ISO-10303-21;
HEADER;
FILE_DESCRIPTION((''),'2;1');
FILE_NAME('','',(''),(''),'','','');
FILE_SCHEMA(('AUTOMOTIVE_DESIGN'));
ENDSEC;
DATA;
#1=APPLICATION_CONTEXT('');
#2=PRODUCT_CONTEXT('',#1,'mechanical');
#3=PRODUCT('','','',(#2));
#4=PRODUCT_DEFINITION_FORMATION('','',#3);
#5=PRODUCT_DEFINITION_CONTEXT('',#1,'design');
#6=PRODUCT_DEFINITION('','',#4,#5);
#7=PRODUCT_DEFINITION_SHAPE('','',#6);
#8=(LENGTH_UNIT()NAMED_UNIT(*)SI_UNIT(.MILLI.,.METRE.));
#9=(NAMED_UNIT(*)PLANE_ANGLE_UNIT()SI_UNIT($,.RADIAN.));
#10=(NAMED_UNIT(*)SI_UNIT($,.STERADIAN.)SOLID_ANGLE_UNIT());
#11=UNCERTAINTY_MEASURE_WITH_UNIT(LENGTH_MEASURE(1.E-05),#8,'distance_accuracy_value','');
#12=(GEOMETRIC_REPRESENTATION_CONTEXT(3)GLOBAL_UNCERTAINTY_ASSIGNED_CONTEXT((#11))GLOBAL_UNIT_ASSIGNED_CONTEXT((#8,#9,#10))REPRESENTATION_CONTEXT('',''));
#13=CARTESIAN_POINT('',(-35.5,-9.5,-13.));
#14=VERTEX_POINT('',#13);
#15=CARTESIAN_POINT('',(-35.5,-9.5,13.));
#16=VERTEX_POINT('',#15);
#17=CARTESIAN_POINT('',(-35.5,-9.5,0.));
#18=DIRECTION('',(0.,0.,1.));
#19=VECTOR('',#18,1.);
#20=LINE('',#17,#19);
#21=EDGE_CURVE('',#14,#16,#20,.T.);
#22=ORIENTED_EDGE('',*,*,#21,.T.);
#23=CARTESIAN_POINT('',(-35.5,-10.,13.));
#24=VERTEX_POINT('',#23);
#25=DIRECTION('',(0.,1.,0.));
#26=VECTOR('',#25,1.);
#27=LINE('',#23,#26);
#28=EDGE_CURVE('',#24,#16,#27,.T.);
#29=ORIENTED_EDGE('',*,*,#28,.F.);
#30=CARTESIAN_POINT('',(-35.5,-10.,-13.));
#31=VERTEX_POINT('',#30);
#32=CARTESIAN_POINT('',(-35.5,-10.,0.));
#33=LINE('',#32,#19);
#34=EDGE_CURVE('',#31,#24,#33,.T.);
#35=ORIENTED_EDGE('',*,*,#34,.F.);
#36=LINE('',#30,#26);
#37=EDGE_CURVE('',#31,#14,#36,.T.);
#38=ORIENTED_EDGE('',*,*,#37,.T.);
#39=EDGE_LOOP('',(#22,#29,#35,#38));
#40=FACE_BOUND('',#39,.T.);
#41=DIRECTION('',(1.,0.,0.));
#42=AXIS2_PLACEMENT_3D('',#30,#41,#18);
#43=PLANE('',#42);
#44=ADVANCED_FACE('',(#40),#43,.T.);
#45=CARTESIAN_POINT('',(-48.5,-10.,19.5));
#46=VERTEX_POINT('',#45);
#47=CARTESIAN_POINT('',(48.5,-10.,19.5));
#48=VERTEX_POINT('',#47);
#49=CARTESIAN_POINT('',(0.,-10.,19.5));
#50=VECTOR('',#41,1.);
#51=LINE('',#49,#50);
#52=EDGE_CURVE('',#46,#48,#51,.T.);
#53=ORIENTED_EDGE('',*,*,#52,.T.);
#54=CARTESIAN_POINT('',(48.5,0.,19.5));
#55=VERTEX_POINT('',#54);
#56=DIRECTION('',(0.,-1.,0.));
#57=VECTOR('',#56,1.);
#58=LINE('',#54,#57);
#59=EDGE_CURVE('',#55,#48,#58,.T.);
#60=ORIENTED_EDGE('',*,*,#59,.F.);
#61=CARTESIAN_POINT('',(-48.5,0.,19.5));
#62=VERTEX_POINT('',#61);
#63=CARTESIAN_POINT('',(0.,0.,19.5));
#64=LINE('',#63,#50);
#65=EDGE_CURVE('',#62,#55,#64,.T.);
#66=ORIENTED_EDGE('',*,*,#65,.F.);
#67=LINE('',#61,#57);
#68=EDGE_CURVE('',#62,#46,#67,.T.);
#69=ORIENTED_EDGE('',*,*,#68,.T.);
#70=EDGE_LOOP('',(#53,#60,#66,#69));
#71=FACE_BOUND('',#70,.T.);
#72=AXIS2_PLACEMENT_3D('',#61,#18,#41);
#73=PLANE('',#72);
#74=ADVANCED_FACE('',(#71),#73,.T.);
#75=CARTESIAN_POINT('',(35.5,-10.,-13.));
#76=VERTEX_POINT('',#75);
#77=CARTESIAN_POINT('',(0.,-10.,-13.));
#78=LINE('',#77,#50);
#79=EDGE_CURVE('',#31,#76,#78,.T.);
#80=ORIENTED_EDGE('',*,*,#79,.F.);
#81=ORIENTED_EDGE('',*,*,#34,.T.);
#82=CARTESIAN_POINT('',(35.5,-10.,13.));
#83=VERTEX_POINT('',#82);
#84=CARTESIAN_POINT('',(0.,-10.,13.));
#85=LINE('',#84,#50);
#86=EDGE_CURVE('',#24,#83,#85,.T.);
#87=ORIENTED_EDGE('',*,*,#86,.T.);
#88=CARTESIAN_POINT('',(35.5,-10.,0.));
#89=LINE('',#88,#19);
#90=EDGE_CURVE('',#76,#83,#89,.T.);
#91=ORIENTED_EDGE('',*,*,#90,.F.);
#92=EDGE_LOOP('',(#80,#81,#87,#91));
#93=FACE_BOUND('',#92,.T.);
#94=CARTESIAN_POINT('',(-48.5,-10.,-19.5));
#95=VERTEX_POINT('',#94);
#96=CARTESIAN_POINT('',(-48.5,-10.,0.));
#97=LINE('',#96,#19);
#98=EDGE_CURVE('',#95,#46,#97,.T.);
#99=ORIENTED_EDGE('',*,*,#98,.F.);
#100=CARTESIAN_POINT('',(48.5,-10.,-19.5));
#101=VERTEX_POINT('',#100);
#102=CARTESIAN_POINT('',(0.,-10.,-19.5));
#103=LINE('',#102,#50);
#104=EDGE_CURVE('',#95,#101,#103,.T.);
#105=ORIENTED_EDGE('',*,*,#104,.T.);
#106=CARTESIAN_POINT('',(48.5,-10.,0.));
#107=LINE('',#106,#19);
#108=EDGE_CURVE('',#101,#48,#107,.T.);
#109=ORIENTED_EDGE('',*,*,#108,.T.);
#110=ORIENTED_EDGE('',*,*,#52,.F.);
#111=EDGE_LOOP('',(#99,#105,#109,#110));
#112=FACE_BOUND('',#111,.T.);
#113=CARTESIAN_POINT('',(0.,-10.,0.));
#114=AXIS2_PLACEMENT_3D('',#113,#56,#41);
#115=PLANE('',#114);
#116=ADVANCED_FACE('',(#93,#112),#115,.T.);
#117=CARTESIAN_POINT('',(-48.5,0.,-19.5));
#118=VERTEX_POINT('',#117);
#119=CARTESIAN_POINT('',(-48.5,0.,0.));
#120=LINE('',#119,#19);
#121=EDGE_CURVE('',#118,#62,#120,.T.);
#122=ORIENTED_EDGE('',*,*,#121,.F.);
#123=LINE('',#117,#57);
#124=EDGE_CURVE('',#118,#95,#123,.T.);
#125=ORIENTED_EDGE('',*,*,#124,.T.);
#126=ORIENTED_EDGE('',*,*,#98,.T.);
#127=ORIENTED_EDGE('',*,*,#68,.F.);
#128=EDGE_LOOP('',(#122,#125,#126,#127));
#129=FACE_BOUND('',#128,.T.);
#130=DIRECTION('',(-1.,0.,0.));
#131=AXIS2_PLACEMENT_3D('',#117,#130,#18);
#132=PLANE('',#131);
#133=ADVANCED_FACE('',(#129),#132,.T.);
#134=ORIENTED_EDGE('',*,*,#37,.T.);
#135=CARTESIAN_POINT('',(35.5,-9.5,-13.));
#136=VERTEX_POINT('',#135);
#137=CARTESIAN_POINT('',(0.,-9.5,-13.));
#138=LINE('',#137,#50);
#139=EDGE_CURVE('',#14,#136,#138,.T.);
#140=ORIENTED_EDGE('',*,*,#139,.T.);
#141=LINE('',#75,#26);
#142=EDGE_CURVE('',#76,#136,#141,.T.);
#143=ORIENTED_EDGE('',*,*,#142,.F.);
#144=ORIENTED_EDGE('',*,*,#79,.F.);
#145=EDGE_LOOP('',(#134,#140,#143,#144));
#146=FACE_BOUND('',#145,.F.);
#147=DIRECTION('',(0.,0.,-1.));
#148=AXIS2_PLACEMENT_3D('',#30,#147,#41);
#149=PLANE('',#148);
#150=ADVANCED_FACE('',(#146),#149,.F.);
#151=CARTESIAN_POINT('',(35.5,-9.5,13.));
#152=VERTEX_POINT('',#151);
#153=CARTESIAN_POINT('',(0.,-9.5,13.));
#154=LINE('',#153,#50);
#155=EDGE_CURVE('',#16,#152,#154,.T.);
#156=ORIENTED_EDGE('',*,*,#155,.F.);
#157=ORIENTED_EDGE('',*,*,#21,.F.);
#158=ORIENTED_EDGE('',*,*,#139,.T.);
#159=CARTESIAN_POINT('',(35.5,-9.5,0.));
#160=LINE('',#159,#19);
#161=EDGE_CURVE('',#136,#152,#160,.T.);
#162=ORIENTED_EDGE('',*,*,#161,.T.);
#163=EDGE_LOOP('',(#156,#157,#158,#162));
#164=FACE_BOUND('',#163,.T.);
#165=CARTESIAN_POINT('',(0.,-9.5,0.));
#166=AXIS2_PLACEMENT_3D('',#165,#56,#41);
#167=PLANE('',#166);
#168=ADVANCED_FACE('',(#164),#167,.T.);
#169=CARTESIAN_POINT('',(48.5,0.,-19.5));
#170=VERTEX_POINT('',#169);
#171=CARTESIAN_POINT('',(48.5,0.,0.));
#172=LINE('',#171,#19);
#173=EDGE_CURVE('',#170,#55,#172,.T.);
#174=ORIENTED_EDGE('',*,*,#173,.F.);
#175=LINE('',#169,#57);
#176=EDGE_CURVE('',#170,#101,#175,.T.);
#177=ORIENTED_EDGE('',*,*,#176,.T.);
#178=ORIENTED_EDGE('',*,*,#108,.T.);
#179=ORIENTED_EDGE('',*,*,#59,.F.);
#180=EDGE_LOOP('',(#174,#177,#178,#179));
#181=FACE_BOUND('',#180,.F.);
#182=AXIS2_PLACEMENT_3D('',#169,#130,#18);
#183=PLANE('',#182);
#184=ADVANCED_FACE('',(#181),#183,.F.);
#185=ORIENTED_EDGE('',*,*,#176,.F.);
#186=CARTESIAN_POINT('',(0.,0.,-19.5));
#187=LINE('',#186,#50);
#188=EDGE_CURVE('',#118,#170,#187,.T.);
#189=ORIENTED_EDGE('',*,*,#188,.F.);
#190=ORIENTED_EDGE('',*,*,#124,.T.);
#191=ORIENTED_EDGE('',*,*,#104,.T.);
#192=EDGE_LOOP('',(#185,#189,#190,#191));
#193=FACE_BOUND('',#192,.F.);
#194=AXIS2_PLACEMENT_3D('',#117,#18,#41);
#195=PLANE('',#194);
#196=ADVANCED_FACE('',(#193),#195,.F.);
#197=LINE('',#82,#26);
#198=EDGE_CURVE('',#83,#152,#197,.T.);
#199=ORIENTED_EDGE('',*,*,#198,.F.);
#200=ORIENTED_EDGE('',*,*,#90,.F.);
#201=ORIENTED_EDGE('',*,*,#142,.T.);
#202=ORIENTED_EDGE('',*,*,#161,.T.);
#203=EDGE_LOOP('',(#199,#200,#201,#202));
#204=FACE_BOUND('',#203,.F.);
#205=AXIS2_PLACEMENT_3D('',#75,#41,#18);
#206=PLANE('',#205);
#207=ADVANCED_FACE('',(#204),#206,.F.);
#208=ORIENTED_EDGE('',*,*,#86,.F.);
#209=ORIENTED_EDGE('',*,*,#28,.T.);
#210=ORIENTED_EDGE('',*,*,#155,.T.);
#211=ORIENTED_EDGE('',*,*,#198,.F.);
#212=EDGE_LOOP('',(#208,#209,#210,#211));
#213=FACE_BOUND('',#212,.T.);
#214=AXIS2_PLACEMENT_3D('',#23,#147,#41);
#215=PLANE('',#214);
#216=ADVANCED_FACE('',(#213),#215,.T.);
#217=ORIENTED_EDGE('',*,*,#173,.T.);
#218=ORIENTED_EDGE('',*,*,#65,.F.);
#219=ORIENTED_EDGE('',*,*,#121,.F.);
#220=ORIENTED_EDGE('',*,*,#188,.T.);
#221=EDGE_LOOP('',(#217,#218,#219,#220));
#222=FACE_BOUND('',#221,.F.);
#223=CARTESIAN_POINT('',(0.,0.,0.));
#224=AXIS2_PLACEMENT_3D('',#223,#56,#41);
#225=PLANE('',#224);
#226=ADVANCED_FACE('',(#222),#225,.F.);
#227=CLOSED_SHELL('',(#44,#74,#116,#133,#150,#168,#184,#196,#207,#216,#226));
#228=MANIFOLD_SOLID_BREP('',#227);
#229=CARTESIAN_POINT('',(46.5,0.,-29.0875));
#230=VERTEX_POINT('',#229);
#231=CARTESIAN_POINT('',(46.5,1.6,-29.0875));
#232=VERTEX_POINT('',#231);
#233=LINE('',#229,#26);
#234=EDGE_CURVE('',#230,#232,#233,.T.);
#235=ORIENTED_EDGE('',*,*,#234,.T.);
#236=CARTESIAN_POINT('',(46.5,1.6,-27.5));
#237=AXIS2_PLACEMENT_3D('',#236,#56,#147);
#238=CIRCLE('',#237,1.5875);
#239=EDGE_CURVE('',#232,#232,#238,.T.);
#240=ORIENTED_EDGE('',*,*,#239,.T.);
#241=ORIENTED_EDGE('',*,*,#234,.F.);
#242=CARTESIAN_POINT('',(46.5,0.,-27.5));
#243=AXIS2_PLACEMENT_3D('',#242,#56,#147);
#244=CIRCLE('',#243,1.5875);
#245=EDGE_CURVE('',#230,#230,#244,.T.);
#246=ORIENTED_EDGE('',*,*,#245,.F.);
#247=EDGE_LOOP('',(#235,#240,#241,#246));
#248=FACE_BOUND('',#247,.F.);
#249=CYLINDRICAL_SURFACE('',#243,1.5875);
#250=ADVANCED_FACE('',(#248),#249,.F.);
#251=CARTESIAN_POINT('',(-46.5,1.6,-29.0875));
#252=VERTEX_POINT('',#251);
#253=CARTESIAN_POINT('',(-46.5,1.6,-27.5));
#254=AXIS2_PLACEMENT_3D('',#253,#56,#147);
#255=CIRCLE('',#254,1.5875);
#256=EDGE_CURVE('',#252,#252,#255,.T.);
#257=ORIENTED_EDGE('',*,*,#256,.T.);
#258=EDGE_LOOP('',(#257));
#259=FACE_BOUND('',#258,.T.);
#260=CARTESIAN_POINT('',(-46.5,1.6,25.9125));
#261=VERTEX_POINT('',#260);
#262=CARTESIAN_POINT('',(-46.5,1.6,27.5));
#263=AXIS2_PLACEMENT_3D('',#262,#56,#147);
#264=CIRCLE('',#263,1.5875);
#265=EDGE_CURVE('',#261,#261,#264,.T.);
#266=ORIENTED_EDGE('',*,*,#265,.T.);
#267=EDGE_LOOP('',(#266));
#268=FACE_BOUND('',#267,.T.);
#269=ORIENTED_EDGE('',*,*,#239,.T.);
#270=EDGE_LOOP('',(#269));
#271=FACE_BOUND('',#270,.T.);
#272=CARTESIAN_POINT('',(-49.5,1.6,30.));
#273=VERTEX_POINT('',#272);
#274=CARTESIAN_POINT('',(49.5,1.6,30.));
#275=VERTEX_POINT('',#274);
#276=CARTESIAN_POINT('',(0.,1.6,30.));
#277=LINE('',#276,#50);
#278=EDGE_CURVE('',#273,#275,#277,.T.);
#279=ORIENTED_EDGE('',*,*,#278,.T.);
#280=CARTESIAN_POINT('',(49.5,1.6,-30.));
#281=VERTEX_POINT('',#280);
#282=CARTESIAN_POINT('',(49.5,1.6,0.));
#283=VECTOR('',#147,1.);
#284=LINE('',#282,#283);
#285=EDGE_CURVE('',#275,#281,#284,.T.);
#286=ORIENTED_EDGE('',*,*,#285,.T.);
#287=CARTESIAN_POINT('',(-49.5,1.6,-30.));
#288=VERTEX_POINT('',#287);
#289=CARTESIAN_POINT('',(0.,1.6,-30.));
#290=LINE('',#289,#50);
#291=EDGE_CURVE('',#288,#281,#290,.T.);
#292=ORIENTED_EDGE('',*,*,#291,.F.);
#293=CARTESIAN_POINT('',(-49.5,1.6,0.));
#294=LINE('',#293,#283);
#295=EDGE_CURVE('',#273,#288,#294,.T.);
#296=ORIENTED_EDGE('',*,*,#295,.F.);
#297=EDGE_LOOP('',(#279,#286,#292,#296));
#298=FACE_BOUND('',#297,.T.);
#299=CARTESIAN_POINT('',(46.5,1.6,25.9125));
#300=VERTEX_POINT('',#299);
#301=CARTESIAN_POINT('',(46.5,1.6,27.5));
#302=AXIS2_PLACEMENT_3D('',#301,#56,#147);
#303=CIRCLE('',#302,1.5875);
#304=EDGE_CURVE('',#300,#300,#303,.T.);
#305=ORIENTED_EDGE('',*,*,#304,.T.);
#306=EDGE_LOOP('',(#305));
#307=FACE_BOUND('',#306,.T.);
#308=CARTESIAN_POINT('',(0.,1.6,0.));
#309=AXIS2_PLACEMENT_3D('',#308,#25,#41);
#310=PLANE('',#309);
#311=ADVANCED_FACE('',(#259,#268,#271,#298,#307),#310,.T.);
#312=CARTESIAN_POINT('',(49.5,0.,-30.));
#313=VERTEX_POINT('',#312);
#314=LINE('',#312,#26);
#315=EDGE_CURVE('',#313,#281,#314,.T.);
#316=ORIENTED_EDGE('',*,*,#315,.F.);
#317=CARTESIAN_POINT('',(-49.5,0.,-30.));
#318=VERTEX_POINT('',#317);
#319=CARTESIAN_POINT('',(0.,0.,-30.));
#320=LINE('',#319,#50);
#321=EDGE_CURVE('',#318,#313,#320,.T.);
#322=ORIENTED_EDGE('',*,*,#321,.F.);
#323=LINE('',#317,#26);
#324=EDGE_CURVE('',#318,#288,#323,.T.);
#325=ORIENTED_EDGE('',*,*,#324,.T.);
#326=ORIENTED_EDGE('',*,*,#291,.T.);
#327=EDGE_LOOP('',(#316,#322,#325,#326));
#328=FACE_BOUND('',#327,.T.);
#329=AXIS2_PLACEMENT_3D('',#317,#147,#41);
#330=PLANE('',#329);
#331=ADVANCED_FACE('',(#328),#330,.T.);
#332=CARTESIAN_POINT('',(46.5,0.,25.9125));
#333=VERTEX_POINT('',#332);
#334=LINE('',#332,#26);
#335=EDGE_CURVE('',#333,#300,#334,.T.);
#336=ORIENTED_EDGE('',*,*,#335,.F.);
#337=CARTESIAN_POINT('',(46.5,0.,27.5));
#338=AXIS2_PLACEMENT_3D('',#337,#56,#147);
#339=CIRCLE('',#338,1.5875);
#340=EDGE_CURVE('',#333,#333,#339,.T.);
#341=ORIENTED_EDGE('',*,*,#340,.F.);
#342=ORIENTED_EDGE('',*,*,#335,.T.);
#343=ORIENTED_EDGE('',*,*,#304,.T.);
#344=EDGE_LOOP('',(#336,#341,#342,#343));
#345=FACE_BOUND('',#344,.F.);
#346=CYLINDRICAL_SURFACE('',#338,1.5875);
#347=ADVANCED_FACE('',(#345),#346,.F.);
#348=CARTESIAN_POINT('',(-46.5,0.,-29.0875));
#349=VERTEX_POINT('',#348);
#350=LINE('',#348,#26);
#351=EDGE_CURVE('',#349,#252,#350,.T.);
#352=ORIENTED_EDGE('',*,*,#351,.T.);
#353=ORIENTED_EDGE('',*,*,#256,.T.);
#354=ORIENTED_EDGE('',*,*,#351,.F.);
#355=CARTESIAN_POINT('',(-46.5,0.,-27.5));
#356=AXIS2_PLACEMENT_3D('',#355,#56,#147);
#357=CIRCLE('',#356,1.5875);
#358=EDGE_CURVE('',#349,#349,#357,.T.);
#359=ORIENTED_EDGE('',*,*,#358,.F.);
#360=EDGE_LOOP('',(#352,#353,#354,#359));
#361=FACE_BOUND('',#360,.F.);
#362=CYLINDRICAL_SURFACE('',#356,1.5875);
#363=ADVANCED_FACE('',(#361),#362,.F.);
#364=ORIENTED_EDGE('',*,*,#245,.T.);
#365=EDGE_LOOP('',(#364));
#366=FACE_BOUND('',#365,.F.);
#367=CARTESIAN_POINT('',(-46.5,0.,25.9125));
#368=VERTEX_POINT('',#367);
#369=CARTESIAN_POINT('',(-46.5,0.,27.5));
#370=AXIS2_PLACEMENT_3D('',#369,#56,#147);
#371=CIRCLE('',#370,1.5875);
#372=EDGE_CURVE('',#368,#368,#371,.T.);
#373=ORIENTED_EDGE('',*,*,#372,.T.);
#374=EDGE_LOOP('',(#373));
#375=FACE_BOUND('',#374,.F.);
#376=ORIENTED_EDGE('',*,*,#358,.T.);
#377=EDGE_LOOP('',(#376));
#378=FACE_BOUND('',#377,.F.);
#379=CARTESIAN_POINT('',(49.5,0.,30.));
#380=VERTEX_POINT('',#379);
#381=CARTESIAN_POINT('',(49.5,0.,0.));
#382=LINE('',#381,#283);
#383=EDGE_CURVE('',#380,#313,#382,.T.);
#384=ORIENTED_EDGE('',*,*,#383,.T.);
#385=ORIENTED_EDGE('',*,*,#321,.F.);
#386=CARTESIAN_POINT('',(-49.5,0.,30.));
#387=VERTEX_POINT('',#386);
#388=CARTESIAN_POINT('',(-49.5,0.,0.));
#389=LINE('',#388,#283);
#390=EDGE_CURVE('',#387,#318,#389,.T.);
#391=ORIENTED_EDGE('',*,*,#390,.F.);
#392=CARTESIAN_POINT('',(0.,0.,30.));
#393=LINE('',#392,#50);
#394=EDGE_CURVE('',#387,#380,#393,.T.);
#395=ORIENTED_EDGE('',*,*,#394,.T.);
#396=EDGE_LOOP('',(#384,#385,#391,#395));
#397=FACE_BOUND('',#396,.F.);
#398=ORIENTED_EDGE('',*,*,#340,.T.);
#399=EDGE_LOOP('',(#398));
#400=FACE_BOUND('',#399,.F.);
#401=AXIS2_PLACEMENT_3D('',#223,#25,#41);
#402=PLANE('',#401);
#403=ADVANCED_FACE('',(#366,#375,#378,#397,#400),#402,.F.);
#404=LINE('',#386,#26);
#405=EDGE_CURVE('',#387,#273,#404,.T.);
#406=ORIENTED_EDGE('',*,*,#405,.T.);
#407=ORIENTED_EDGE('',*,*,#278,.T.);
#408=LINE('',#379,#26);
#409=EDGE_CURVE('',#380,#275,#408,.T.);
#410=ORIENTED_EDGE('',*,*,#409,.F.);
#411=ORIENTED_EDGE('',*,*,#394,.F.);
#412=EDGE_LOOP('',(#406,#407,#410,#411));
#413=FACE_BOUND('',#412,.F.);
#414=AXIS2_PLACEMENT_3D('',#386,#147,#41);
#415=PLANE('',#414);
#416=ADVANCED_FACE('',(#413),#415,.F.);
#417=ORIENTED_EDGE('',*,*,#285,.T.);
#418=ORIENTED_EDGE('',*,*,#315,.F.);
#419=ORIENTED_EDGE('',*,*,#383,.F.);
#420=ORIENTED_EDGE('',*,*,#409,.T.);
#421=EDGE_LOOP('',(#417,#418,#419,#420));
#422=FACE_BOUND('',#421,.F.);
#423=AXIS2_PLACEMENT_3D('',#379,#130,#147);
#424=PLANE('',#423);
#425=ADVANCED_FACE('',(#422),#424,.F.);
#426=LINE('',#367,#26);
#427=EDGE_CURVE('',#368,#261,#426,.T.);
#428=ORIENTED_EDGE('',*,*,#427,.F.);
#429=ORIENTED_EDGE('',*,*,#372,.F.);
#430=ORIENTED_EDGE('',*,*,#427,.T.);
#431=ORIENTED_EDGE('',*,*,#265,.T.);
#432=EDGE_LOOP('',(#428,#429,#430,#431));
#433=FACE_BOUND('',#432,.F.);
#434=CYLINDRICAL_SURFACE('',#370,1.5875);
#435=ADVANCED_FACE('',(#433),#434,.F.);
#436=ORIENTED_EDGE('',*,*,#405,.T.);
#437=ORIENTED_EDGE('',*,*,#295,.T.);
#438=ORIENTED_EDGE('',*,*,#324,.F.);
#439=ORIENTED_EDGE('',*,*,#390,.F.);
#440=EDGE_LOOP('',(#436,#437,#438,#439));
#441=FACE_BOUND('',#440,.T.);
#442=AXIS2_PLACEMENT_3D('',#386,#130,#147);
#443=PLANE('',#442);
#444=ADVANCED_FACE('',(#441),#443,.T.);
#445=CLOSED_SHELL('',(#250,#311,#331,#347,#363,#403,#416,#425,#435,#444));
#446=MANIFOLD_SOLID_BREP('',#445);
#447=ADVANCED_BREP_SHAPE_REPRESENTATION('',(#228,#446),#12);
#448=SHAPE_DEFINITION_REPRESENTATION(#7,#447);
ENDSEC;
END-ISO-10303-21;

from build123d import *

# Parameters (mm, degrees)
SKETCH1_W           = 99
SKETCH1_H           = 60
BOSS_EXTRUDE1_DEPTH = 1.6
SKETCH2_R           = 1.5875
CUT_EXTRUDE1_DEPTH  = 58.903454128
SKETCH3_W           = 97
SKETCH3_H           = 39
BOSS_EXTRUDE2_DEPTH = 10
SKETCH4_W           = 71
SKETCH4_H           = 26
CUT_EXTRUDE2_DEPTH  = 0.5


with BuildPart() as part:
    # Sketch1 → Boss-Extrude1 (new body)
    with BuildSketch(Plane(origin=(0, 0, 0), x_dir=(1, 0, 0), z_dir=(0, 1, 0))):
        Rectangle(SKETCH1_W, SKETCH1_H)
    extrude(amount=BOSS_EXTRUDE1_DEPTH)

    # Sketch2 → Cut-Extrude1 (cut, through all)
    with BuildSketch(Plane.XZ):
        with Locations(Location((-46.5, 27.5, 0), (0, 0, 270))):
            Circle(SKETCH2_R)
        with Locations(Location((46.5, 27.5, 0), (0, 0, 270))):
            Circle(SKETCH2_R)
        with Locations(Location((46.5, -27.5, 0), (0, 0, 270))):
            Circle(SKETCH2_R)
        with Locations(Location((-46.5, -27.5, 0), (0, 0, 270))):
            Circle(SKETCH2_R)
    extrude(amount=-CUT_EXTRUDE1_DEPTH, mode=Mode.SUBTRACT)


with BuildPart() as body_2:
    # Sketch3 → Boss-Extrude2 (new body)
    with BuildSketch(Plane.XZ):
        Rectangle(SKETCH3_W, SKETCH3_H)
    extrude(amount=BOSS_EXTRUDE2_DEPTH)

    # Sketch4 → Cut-Extrude2 (cut)
    with BuildSketch(Plane.XZ.offset(10)):
        Rectangle(SKETCH4_W, SKETCH4_H)
    extrude(amount=-CUT_EXTRUDE2_DEPTH, mode=Mode.SUBTRACT)


solid = Compound([part.part, body_2.part])
